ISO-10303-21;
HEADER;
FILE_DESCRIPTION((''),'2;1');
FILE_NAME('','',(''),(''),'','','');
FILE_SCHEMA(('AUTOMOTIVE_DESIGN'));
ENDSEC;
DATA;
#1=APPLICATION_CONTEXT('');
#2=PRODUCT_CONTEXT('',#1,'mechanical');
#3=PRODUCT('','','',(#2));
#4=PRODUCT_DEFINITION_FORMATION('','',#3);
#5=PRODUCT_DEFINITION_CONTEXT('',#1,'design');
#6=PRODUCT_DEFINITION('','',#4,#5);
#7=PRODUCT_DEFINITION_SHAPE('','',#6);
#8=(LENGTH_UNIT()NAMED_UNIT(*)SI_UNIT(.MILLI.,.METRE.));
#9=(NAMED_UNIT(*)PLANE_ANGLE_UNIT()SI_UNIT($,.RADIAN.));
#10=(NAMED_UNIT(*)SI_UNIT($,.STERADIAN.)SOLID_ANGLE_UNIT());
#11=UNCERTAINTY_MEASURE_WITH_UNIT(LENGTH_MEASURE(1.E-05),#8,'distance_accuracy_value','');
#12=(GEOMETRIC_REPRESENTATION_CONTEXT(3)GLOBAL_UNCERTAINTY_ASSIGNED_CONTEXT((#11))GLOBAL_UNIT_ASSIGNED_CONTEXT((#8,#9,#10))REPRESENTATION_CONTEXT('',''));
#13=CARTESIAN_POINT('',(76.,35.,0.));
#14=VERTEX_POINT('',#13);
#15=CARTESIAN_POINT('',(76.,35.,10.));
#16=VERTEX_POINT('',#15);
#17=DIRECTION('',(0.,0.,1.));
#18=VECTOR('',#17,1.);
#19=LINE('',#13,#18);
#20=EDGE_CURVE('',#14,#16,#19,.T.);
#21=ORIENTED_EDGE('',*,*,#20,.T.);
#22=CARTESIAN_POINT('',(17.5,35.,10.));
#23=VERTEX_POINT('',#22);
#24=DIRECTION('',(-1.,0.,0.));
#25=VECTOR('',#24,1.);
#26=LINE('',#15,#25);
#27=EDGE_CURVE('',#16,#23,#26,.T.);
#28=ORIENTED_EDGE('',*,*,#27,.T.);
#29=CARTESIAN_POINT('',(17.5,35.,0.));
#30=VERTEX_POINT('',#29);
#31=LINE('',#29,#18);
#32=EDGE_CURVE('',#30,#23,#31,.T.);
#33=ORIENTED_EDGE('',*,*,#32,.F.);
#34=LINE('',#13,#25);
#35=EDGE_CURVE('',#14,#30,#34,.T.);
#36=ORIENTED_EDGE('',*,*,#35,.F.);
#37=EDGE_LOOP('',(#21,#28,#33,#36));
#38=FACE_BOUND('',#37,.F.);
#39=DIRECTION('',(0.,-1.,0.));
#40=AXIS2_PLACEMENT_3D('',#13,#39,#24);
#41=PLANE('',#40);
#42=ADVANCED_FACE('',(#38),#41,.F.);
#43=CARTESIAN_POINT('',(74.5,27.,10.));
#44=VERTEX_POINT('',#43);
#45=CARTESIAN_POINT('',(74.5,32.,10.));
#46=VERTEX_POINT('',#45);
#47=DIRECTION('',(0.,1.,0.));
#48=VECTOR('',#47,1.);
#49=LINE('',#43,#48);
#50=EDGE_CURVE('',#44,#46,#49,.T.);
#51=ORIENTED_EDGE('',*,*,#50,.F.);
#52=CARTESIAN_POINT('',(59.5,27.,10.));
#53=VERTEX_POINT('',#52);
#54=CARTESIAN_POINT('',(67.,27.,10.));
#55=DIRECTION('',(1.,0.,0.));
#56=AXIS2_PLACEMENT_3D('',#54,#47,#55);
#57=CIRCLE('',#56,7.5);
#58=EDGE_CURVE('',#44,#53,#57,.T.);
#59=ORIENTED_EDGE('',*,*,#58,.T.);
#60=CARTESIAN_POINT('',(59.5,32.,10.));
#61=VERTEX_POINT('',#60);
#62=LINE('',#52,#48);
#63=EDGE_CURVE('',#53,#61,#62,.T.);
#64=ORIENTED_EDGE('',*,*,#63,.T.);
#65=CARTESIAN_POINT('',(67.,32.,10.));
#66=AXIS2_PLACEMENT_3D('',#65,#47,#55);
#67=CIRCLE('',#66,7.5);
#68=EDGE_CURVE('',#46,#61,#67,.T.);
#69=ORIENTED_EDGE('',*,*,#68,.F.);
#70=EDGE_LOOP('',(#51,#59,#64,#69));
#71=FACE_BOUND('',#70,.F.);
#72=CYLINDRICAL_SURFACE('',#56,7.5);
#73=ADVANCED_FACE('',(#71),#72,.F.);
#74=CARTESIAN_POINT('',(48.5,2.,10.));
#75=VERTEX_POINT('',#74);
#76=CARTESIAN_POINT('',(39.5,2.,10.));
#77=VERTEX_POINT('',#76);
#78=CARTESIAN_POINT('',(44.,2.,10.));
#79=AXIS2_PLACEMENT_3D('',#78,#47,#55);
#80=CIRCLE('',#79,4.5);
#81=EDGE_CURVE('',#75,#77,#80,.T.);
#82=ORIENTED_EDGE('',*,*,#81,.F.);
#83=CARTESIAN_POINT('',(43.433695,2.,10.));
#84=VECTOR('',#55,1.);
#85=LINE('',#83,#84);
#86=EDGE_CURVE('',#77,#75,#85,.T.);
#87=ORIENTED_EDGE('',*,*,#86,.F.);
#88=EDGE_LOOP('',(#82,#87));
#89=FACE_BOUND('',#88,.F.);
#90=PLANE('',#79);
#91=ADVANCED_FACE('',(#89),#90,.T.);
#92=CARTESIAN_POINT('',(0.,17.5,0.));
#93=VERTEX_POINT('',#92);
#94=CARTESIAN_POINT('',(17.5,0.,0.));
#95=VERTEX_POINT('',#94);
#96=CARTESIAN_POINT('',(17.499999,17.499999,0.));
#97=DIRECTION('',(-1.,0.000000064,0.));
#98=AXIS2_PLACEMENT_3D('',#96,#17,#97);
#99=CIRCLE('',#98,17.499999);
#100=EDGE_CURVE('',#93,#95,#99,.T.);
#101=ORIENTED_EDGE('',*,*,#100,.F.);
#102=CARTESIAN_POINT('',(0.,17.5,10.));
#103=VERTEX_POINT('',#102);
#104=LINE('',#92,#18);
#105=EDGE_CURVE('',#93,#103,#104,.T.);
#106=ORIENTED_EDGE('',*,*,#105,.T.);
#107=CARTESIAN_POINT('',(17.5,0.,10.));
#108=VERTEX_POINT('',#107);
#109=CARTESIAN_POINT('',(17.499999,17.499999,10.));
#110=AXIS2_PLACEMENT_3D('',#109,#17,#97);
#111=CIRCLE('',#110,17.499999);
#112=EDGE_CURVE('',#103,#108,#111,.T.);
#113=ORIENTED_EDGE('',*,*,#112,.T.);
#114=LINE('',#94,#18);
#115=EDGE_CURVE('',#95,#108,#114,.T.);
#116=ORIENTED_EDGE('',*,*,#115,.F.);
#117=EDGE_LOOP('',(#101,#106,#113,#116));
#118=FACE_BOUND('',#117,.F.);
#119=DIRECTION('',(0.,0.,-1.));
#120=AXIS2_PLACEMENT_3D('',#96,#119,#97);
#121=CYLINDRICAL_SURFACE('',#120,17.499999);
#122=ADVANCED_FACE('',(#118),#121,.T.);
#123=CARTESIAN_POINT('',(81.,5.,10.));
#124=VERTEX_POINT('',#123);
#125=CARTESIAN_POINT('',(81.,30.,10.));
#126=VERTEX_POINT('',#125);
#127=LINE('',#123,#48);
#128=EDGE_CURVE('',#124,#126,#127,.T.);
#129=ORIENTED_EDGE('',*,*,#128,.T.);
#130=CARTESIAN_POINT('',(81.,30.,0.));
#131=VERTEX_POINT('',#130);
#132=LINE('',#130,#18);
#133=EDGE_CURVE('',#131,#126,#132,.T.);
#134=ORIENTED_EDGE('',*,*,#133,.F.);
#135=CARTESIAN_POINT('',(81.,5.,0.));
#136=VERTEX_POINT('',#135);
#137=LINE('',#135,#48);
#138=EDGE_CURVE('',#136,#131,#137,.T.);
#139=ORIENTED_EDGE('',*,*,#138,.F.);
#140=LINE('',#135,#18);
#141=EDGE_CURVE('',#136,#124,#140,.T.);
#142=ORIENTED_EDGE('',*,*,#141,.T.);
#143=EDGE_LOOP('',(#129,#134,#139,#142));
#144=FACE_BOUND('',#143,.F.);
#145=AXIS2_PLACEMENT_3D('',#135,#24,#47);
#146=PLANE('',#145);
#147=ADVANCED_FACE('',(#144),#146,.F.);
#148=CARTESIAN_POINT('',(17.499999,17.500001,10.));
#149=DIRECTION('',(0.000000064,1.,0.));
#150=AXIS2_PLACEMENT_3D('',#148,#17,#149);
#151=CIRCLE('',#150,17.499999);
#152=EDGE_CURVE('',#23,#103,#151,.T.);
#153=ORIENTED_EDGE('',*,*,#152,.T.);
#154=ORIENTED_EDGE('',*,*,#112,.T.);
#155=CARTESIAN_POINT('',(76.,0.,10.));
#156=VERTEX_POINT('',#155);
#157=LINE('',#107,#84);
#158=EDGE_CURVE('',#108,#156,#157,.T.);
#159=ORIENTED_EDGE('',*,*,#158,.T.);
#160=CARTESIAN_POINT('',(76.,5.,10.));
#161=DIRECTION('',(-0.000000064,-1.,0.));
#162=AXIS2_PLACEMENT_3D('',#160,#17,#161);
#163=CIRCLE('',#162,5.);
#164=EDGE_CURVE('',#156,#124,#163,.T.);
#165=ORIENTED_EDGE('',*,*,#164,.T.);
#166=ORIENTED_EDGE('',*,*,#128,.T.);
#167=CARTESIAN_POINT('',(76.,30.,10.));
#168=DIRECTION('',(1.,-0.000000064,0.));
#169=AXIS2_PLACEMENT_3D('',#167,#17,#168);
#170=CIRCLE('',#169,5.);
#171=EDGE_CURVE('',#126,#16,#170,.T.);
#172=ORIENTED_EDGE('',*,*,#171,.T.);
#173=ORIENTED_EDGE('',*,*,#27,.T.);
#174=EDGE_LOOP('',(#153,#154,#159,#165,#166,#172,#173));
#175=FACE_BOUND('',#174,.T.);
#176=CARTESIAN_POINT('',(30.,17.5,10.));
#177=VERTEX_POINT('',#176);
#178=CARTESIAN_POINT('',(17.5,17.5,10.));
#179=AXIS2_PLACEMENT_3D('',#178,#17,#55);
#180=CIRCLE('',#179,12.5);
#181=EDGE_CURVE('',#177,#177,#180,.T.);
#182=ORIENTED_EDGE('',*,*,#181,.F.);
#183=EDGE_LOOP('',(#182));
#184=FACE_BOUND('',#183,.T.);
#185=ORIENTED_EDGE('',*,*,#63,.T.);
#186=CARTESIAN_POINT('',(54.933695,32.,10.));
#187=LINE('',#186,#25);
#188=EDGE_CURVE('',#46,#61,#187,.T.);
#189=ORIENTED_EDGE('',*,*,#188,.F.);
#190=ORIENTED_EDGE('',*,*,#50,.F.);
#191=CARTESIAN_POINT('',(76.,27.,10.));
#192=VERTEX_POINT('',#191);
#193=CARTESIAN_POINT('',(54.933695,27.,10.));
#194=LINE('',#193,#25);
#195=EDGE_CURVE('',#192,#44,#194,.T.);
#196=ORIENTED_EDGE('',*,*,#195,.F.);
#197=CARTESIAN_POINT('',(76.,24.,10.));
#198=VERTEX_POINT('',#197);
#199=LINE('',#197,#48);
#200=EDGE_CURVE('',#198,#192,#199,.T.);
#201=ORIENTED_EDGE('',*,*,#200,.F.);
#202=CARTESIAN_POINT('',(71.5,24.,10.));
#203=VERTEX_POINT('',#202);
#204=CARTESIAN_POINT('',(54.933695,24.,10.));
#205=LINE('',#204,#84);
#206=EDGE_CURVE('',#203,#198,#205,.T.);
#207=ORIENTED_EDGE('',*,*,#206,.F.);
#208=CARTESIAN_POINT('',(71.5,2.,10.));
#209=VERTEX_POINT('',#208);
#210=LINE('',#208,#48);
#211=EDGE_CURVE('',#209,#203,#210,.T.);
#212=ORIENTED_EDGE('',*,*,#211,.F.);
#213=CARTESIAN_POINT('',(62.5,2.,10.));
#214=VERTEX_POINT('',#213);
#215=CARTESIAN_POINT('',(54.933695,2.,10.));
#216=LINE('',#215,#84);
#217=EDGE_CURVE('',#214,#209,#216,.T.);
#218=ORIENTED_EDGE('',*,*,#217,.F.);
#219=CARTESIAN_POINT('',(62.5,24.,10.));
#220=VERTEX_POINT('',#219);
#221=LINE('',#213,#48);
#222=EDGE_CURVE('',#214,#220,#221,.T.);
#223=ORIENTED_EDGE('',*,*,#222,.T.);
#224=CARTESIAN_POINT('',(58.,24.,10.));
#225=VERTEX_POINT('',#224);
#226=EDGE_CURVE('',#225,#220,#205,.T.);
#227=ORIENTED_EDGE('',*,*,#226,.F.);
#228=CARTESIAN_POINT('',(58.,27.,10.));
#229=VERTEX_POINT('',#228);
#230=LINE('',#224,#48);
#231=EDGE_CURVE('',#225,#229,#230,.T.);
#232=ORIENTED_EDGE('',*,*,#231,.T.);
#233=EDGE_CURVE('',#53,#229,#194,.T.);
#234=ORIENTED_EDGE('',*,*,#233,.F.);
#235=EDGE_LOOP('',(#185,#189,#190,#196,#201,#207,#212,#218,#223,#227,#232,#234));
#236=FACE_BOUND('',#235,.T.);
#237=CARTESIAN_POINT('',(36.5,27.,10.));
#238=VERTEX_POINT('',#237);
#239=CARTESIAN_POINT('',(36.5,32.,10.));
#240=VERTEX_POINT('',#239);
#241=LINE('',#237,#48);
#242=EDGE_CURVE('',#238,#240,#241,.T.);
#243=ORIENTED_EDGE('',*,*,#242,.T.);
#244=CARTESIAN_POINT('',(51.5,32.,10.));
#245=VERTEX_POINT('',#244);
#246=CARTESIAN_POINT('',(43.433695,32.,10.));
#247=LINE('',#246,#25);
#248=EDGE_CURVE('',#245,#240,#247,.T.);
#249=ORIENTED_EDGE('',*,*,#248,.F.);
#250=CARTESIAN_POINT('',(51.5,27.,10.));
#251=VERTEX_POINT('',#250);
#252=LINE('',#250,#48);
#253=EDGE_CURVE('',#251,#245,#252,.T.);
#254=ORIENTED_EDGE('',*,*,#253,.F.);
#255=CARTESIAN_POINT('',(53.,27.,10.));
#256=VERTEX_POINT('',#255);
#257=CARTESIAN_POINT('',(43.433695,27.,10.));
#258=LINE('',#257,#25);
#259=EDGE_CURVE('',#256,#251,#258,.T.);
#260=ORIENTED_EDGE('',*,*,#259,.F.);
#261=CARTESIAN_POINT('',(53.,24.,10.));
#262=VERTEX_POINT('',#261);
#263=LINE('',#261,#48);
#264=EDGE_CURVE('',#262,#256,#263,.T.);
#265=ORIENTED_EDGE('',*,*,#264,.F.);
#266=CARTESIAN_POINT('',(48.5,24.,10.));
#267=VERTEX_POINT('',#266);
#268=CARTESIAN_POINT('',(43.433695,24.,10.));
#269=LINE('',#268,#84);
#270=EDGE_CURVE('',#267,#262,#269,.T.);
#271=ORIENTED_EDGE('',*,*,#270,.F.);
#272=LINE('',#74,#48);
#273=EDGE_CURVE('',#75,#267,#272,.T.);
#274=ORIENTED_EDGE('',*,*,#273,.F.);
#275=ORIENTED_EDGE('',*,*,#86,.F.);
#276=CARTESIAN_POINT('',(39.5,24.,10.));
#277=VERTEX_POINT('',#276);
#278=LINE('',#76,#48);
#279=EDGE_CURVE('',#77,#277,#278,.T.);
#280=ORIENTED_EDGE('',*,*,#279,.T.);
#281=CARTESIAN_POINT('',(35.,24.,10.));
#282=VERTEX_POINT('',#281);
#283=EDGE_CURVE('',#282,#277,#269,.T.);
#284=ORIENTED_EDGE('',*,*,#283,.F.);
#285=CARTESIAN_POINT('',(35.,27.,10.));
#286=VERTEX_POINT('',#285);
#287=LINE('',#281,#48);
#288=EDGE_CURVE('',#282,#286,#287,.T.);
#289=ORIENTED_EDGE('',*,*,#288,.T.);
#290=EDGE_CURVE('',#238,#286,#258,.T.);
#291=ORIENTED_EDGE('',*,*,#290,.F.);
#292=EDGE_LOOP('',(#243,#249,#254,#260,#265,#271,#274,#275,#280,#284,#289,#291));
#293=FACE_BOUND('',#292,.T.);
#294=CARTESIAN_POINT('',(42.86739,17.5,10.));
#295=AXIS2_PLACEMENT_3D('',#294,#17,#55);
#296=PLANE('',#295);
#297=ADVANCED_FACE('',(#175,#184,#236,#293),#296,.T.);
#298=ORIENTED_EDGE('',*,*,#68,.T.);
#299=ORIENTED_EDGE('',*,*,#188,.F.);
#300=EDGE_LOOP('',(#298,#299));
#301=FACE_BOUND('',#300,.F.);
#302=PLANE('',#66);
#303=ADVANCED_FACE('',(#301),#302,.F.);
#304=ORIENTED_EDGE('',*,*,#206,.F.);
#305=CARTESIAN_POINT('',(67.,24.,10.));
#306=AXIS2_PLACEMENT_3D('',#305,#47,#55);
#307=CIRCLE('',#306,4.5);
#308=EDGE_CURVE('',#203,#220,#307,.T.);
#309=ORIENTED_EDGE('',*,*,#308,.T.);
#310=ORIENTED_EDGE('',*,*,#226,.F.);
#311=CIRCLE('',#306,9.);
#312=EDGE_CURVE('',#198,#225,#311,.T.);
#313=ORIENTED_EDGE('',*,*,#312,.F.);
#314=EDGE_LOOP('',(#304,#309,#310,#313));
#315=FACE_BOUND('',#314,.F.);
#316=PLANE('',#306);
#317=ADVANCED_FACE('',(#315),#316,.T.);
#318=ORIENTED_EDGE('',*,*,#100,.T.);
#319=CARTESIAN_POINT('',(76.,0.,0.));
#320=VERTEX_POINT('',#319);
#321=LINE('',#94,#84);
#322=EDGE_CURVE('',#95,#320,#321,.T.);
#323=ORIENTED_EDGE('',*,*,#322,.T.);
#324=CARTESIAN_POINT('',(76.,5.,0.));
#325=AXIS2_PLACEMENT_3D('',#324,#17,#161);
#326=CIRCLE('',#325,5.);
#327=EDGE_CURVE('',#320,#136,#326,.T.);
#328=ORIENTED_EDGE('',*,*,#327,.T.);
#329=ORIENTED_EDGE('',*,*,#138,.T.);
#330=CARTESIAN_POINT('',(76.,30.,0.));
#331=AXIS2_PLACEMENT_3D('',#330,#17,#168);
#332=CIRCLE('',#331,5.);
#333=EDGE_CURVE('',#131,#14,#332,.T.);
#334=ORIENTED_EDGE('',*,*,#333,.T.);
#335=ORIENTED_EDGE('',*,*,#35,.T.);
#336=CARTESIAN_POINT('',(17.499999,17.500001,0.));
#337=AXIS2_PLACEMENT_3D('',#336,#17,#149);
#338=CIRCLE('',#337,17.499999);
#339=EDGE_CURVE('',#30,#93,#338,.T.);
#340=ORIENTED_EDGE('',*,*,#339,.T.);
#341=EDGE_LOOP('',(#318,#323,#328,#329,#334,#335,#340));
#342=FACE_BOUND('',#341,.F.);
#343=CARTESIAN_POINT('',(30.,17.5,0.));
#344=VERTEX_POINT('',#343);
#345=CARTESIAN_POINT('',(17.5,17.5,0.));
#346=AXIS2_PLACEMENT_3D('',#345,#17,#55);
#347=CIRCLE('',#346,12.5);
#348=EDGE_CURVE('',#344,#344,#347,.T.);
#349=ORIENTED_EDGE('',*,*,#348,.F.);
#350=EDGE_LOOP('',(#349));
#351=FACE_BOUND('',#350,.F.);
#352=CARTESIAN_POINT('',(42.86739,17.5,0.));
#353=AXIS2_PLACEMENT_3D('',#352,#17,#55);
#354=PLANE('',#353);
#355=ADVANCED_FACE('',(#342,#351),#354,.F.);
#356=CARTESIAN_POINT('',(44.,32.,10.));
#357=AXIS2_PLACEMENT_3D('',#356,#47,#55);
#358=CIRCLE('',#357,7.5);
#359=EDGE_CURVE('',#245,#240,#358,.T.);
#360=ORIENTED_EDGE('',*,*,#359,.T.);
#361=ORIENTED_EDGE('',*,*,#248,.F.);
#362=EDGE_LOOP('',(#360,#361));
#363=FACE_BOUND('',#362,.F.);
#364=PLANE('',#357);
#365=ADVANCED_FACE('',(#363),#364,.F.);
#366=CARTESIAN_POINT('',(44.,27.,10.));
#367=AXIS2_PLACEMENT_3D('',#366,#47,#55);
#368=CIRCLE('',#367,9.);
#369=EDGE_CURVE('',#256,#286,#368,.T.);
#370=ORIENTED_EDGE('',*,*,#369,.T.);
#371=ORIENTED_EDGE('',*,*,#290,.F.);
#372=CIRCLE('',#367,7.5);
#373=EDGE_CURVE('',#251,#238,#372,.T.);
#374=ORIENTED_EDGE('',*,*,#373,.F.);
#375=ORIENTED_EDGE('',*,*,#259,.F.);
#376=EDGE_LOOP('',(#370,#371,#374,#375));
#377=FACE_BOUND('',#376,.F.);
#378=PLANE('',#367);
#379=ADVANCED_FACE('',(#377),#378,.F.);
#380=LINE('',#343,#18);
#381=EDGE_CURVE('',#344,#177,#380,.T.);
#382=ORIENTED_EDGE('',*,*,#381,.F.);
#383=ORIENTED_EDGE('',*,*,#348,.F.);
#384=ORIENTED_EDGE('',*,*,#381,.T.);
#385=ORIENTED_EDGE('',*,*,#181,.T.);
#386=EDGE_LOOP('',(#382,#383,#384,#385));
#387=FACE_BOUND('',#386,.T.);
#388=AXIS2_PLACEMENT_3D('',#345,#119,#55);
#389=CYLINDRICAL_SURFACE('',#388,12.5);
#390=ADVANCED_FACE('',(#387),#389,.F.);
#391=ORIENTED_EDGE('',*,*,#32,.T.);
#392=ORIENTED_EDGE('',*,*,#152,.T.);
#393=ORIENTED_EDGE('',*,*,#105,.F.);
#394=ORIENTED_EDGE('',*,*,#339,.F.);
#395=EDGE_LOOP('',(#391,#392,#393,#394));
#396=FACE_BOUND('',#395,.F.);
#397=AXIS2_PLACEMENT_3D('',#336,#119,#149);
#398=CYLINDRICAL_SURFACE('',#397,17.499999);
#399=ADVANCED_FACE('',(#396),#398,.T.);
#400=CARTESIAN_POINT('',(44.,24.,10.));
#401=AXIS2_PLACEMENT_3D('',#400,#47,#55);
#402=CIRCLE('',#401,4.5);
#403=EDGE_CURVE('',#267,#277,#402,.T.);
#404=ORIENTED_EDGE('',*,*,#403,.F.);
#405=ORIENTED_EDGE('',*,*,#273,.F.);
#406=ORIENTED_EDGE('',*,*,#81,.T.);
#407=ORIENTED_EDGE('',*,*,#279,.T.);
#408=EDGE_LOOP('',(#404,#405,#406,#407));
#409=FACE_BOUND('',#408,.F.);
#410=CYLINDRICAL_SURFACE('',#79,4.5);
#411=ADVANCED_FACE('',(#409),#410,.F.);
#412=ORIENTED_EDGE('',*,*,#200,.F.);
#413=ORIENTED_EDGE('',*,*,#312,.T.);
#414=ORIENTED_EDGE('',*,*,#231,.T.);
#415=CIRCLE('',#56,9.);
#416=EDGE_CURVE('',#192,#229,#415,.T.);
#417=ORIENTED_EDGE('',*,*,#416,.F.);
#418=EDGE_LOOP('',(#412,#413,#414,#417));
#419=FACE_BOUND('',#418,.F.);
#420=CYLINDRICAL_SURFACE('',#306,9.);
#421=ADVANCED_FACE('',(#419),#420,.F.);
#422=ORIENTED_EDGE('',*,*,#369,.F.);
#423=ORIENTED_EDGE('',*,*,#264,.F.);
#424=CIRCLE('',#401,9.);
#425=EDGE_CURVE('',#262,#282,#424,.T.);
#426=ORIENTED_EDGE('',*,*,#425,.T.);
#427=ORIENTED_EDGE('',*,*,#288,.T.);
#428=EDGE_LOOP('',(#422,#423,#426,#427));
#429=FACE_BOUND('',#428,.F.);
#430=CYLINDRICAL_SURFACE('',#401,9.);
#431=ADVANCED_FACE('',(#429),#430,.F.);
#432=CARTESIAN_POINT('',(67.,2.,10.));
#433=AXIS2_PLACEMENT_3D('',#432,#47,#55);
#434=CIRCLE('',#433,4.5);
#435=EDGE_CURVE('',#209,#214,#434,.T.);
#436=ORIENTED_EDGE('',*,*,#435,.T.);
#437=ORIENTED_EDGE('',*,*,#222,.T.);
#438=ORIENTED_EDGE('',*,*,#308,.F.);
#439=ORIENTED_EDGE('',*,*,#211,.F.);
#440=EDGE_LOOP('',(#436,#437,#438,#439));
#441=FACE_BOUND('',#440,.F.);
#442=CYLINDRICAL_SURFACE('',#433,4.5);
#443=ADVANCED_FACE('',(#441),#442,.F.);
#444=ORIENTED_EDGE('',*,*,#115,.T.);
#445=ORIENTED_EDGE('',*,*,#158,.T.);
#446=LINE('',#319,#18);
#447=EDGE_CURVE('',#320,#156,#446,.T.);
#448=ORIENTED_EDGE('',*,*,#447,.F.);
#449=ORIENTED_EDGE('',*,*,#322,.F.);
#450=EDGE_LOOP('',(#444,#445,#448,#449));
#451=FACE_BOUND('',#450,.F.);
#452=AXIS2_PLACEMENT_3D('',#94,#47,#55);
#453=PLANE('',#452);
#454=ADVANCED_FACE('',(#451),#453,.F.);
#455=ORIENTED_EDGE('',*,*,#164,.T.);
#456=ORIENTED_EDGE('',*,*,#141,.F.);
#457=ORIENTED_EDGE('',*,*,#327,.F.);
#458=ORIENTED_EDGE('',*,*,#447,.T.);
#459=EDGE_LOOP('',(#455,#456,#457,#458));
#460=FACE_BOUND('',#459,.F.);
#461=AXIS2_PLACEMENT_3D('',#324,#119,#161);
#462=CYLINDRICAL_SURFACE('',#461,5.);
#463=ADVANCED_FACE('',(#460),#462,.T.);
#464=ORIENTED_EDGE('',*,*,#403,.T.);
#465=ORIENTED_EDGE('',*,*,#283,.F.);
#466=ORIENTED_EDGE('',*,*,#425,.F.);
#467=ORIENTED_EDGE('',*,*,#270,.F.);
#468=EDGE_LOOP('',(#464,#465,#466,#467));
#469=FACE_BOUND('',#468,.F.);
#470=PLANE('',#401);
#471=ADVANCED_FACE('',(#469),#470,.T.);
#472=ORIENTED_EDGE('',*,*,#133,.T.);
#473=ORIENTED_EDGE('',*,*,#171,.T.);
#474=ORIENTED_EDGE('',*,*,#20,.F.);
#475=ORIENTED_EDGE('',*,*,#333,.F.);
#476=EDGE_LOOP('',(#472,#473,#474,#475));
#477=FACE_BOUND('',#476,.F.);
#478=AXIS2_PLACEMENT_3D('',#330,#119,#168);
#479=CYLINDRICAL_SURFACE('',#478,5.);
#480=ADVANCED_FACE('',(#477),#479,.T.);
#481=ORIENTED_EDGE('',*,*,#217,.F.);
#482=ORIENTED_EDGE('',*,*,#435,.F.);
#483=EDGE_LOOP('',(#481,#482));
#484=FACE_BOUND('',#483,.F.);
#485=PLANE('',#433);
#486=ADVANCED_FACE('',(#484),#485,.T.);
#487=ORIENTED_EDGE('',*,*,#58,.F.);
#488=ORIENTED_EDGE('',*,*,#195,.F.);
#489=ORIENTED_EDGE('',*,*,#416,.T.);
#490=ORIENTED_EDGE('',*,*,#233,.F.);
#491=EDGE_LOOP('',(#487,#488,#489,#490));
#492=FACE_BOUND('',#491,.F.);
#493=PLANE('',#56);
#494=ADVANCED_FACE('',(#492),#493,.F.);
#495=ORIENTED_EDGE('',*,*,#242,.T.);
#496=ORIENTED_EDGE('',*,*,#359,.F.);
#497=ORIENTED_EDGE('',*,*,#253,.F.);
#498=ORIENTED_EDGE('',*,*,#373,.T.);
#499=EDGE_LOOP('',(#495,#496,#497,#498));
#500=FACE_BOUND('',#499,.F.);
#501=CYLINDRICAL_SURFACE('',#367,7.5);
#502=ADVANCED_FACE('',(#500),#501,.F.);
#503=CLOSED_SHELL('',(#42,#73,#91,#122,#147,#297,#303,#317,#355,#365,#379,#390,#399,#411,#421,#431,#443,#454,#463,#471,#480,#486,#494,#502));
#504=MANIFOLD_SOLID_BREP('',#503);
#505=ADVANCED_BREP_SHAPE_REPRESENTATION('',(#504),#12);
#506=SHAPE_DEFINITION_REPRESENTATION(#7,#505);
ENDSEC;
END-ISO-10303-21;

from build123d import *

# Parameters (mm, degrees)
F0_R     = 12.5
F1_DEPTH = 10


with BuildPart() as f1:
    # F0 (on Top) → F1 (new body)
    with BuildSketch(Plane.XY):
        with BuildLine():
            ThreePointArc((0, 17.5), (5.125631, 5.125631), (17.5, 0))
            Line((17.5, 0), (76, 0))
            ThreePointArc((76, 0), (79.535534, 1.464466), (81, 5))
            Line((81, 5), (81, 30))
            ThreePointArc((81, 30), (79.535534, 33.535534), (76, 35))
            Line((76, 35), (17.5, 35))
            ThreePointArc((17.5, 35), (5.125631, 29.874369), (0, 17.5))
        make_face()
        with Locations((17.5, 17.5)):
            Circle(F0_R, mode=Mode.SUBTRACT)
    extrude(amount=F1_DEPTH)

    # F2 (on face) → F3 (revolve, cut)
    with BuildSketch(Plane.XY.offset(10)):
        Polygon((44, 24), (44, 2), (48.5, 2), (48.5, 24), (53, 24), (53, 27), (51.5, 27), (51.5, 32), (44, 32), (44, 27), align=None)
    revolve(axis=Axis((44, 13, 10), (0, 1, 0)), mode=Mode.SUBTRACT)

    # F2 (on face) → F4 (revolve, cut)
    with BuildSketch(Plane.XY.offset(10)):
        Polygon((67, 24), (67, 2), (71.5, 2), (71.5, 24), (76, 24), (76, 27), (74.5, 27), (74.5, 32), (67, 32), (67, 27), align=None)
    revolve(axis=Axis((67, 13, 10), (0, 1, 0)), mode=Mode.SUBTRACT)


solid = f1.part
